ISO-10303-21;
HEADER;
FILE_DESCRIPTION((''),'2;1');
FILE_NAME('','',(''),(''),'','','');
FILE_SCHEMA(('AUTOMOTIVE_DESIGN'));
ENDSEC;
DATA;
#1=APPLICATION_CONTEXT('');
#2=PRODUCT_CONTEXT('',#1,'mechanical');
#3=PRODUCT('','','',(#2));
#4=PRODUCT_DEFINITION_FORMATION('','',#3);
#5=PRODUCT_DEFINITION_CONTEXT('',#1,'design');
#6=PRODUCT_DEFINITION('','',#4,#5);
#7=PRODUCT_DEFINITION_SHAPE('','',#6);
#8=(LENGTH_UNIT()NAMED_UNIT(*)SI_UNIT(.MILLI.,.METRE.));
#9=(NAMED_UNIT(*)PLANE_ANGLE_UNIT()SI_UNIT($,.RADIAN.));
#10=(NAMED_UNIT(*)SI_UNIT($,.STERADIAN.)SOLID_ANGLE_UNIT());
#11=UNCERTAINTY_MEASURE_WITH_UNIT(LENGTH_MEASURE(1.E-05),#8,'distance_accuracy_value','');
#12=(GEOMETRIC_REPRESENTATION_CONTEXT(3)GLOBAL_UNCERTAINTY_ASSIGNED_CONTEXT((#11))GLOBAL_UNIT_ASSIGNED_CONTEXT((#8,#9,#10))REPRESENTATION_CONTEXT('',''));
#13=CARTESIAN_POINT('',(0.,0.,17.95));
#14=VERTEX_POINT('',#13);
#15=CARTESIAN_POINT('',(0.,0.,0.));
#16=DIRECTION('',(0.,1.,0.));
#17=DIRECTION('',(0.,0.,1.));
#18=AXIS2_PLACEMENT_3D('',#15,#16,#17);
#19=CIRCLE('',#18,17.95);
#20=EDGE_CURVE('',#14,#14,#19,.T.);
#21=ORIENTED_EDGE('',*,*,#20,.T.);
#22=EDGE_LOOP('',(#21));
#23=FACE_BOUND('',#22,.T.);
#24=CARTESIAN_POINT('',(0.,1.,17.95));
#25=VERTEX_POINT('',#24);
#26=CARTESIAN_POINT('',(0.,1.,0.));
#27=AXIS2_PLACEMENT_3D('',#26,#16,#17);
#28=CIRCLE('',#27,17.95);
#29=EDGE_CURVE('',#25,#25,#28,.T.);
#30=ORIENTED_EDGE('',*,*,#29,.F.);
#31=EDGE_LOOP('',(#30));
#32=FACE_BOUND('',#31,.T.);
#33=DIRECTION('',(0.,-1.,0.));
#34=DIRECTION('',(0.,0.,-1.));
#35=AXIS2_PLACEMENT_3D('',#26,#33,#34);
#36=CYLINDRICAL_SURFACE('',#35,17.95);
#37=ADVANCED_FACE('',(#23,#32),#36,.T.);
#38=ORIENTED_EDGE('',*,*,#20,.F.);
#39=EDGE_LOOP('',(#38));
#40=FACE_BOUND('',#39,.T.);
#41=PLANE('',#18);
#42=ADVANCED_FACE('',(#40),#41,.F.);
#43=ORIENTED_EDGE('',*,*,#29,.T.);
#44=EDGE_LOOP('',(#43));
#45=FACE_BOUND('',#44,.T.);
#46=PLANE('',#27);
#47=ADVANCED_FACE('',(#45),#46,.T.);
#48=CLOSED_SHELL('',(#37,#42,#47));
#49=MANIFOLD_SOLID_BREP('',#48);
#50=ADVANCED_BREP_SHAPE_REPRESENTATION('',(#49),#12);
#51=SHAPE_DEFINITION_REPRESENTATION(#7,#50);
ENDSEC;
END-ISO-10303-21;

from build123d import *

# Parameters (mm, degrees)
SKETCH_1_R      = 17.95
EXTRUDE_1_DEPTH = 1


with BuildPart() as part:
    # 草图1 → 凸台-拉伸1 (new body)
    with BuildSketch(Plane(origin=(0, 0, 0), x_dir=(1, 0, 0), z_dir=(0, 1, 0))):
        with Locations(Location((0, 0, 0), (0, 0, 270))):
            Circle(SKETCH_1_R)
    extrude(amount=EXTRUDE_1_DEPTH)


solid = part.part
